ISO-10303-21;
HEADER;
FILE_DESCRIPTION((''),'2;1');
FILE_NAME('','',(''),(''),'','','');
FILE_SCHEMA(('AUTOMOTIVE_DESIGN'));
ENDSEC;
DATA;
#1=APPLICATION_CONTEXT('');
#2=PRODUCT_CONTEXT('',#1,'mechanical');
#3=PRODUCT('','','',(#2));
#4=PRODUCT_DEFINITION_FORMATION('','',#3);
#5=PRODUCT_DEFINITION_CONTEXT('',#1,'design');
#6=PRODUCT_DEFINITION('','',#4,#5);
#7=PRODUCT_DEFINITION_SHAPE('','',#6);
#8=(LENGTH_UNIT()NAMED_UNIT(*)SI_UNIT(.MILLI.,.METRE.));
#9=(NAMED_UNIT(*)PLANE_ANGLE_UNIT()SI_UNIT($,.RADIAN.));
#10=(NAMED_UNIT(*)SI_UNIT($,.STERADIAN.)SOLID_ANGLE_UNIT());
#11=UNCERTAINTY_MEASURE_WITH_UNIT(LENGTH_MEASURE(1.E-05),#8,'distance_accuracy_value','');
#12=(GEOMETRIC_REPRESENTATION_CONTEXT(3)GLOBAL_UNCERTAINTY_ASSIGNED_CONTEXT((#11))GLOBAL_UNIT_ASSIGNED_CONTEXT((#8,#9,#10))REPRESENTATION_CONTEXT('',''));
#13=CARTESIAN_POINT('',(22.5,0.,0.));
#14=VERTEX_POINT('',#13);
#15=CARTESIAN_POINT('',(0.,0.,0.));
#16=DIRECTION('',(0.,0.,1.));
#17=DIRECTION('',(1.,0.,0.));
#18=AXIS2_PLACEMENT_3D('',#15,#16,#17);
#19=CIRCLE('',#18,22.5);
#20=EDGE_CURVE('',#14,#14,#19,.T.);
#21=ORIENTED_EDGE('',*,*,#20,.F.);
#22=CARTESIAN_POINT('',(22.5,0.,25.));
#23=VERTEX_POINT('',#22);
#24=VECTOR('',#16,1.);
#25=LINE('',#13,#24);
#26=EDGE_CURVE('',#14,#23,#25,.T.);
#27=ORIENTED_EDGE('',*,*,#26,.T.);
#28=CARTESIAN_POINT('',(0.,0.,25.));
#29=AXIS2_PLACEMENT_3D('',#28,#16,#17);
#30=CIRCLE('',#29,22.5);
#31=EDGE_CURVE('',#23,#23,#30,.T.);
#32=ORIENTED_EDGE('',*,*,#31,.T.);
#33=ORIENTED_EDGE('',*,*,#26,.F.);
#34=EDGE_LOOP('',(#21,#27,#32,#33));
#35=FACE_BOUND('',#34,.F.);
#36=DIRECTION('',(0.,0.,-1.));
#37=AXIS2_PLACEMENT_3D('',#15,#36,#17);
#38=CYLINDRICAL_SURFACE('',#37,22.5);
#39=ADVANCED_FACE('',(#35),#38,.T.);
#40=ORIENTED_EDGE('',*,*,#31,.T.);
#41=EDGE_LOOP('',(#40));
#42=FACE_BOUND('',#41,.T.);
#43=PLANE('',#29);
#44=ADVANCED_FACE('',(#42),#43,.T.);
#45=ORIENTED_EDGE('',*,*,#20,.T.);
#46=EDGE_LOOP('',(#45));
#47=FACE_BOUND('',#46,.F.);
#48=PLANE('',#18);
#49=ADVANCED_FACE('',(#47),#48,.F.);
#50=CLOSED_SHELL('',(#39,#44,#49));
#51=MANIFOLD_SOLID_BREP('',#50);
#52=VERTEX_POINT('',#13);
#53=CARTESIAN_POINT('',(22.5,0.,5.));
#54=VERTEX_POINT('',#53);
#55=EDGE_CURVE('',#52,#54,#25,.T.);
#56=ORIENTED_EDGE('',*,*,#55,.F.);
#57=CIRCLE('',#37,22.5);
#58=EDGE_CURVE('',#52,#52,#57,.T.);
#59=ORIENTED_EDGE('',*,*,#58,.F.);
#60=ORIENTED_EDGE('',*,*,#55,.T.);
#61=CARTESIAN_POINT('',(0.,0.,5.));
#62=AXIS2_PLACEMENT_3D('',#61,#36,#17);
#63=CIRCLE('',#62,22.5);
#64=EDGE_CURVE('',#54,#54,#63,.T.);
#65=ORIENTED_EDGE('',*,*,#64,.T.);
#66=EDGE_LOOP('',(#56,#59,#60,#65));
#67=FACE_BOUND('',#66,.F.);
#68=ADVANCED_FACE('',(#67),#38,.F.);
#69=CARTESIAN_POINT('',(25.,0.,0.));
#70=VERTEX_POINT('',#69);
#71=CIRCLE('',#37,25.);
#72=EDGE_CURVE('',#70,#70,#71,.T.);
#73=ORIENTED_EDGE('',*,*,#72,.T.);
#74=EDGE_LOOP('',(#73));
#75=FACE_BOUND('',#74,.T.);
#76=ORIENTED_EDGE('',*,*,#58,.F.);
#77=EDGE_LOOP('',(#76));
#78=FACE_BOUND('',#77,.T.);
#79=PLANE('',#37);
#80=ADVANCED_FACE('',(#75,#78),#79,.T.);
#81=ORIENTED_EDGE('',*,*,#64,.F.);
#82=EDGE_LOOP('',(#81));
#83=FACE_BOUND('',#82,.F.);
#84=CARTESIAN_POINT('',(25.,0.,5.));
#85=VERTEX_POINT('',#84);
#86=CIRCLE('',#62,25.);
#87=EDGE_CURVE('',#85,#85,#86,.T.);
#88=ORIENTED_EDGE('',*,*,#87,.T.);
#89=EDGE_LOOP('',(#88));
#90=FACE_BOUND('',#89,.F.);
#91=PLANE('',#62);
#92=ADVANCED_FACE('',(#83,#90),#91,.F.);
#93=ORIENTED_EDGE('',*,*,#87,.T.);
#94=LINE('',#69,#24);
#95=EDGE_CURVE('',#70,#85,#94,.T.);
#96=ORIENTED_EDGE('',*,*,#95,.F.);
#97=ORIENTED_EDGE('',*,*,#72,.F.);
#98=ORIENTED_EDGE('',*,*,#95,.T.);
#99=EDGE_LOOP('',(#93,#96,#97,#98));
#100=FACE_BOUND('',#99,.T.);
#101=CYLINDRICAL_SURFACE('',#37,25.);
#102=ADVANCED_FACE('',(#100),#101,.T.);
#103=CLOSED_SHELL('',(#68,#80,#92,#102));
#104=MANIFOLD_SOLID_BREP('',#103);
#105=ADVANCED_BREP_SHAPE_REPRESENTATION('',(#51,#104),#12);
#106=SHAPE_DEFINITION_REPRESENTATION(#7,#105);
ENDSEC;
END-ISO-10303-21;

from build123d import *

# Parameters (mm, degrees)
F0_R     = 22.5
F1_DEPTH = 25
F2_R     = 25
F2_R_2   = 22.5
F3_DEPTH = 5


with BuildPart() as f1:
    # F0 (on Top) → F1 (new body)
    with BuildSketch(Plane.XY):
        Circle(F0_R)
    extrude(amount=F1_DEPTH)


with BuildPart() as f3:
    # F2 (on face) → F3 (new body)
    with BuildSketch(Plane(origin=(0, 0, 0), x_dir=(1, 0, 0), z_dir=(0, 0, -1))):
        Circle(F2_R)
        Circle(F2_R_2, mode=Mode.SUBTRACT)
    extrude(amount=-F3_DEPTH)


solid = Compound([f1.part, f3.part])
